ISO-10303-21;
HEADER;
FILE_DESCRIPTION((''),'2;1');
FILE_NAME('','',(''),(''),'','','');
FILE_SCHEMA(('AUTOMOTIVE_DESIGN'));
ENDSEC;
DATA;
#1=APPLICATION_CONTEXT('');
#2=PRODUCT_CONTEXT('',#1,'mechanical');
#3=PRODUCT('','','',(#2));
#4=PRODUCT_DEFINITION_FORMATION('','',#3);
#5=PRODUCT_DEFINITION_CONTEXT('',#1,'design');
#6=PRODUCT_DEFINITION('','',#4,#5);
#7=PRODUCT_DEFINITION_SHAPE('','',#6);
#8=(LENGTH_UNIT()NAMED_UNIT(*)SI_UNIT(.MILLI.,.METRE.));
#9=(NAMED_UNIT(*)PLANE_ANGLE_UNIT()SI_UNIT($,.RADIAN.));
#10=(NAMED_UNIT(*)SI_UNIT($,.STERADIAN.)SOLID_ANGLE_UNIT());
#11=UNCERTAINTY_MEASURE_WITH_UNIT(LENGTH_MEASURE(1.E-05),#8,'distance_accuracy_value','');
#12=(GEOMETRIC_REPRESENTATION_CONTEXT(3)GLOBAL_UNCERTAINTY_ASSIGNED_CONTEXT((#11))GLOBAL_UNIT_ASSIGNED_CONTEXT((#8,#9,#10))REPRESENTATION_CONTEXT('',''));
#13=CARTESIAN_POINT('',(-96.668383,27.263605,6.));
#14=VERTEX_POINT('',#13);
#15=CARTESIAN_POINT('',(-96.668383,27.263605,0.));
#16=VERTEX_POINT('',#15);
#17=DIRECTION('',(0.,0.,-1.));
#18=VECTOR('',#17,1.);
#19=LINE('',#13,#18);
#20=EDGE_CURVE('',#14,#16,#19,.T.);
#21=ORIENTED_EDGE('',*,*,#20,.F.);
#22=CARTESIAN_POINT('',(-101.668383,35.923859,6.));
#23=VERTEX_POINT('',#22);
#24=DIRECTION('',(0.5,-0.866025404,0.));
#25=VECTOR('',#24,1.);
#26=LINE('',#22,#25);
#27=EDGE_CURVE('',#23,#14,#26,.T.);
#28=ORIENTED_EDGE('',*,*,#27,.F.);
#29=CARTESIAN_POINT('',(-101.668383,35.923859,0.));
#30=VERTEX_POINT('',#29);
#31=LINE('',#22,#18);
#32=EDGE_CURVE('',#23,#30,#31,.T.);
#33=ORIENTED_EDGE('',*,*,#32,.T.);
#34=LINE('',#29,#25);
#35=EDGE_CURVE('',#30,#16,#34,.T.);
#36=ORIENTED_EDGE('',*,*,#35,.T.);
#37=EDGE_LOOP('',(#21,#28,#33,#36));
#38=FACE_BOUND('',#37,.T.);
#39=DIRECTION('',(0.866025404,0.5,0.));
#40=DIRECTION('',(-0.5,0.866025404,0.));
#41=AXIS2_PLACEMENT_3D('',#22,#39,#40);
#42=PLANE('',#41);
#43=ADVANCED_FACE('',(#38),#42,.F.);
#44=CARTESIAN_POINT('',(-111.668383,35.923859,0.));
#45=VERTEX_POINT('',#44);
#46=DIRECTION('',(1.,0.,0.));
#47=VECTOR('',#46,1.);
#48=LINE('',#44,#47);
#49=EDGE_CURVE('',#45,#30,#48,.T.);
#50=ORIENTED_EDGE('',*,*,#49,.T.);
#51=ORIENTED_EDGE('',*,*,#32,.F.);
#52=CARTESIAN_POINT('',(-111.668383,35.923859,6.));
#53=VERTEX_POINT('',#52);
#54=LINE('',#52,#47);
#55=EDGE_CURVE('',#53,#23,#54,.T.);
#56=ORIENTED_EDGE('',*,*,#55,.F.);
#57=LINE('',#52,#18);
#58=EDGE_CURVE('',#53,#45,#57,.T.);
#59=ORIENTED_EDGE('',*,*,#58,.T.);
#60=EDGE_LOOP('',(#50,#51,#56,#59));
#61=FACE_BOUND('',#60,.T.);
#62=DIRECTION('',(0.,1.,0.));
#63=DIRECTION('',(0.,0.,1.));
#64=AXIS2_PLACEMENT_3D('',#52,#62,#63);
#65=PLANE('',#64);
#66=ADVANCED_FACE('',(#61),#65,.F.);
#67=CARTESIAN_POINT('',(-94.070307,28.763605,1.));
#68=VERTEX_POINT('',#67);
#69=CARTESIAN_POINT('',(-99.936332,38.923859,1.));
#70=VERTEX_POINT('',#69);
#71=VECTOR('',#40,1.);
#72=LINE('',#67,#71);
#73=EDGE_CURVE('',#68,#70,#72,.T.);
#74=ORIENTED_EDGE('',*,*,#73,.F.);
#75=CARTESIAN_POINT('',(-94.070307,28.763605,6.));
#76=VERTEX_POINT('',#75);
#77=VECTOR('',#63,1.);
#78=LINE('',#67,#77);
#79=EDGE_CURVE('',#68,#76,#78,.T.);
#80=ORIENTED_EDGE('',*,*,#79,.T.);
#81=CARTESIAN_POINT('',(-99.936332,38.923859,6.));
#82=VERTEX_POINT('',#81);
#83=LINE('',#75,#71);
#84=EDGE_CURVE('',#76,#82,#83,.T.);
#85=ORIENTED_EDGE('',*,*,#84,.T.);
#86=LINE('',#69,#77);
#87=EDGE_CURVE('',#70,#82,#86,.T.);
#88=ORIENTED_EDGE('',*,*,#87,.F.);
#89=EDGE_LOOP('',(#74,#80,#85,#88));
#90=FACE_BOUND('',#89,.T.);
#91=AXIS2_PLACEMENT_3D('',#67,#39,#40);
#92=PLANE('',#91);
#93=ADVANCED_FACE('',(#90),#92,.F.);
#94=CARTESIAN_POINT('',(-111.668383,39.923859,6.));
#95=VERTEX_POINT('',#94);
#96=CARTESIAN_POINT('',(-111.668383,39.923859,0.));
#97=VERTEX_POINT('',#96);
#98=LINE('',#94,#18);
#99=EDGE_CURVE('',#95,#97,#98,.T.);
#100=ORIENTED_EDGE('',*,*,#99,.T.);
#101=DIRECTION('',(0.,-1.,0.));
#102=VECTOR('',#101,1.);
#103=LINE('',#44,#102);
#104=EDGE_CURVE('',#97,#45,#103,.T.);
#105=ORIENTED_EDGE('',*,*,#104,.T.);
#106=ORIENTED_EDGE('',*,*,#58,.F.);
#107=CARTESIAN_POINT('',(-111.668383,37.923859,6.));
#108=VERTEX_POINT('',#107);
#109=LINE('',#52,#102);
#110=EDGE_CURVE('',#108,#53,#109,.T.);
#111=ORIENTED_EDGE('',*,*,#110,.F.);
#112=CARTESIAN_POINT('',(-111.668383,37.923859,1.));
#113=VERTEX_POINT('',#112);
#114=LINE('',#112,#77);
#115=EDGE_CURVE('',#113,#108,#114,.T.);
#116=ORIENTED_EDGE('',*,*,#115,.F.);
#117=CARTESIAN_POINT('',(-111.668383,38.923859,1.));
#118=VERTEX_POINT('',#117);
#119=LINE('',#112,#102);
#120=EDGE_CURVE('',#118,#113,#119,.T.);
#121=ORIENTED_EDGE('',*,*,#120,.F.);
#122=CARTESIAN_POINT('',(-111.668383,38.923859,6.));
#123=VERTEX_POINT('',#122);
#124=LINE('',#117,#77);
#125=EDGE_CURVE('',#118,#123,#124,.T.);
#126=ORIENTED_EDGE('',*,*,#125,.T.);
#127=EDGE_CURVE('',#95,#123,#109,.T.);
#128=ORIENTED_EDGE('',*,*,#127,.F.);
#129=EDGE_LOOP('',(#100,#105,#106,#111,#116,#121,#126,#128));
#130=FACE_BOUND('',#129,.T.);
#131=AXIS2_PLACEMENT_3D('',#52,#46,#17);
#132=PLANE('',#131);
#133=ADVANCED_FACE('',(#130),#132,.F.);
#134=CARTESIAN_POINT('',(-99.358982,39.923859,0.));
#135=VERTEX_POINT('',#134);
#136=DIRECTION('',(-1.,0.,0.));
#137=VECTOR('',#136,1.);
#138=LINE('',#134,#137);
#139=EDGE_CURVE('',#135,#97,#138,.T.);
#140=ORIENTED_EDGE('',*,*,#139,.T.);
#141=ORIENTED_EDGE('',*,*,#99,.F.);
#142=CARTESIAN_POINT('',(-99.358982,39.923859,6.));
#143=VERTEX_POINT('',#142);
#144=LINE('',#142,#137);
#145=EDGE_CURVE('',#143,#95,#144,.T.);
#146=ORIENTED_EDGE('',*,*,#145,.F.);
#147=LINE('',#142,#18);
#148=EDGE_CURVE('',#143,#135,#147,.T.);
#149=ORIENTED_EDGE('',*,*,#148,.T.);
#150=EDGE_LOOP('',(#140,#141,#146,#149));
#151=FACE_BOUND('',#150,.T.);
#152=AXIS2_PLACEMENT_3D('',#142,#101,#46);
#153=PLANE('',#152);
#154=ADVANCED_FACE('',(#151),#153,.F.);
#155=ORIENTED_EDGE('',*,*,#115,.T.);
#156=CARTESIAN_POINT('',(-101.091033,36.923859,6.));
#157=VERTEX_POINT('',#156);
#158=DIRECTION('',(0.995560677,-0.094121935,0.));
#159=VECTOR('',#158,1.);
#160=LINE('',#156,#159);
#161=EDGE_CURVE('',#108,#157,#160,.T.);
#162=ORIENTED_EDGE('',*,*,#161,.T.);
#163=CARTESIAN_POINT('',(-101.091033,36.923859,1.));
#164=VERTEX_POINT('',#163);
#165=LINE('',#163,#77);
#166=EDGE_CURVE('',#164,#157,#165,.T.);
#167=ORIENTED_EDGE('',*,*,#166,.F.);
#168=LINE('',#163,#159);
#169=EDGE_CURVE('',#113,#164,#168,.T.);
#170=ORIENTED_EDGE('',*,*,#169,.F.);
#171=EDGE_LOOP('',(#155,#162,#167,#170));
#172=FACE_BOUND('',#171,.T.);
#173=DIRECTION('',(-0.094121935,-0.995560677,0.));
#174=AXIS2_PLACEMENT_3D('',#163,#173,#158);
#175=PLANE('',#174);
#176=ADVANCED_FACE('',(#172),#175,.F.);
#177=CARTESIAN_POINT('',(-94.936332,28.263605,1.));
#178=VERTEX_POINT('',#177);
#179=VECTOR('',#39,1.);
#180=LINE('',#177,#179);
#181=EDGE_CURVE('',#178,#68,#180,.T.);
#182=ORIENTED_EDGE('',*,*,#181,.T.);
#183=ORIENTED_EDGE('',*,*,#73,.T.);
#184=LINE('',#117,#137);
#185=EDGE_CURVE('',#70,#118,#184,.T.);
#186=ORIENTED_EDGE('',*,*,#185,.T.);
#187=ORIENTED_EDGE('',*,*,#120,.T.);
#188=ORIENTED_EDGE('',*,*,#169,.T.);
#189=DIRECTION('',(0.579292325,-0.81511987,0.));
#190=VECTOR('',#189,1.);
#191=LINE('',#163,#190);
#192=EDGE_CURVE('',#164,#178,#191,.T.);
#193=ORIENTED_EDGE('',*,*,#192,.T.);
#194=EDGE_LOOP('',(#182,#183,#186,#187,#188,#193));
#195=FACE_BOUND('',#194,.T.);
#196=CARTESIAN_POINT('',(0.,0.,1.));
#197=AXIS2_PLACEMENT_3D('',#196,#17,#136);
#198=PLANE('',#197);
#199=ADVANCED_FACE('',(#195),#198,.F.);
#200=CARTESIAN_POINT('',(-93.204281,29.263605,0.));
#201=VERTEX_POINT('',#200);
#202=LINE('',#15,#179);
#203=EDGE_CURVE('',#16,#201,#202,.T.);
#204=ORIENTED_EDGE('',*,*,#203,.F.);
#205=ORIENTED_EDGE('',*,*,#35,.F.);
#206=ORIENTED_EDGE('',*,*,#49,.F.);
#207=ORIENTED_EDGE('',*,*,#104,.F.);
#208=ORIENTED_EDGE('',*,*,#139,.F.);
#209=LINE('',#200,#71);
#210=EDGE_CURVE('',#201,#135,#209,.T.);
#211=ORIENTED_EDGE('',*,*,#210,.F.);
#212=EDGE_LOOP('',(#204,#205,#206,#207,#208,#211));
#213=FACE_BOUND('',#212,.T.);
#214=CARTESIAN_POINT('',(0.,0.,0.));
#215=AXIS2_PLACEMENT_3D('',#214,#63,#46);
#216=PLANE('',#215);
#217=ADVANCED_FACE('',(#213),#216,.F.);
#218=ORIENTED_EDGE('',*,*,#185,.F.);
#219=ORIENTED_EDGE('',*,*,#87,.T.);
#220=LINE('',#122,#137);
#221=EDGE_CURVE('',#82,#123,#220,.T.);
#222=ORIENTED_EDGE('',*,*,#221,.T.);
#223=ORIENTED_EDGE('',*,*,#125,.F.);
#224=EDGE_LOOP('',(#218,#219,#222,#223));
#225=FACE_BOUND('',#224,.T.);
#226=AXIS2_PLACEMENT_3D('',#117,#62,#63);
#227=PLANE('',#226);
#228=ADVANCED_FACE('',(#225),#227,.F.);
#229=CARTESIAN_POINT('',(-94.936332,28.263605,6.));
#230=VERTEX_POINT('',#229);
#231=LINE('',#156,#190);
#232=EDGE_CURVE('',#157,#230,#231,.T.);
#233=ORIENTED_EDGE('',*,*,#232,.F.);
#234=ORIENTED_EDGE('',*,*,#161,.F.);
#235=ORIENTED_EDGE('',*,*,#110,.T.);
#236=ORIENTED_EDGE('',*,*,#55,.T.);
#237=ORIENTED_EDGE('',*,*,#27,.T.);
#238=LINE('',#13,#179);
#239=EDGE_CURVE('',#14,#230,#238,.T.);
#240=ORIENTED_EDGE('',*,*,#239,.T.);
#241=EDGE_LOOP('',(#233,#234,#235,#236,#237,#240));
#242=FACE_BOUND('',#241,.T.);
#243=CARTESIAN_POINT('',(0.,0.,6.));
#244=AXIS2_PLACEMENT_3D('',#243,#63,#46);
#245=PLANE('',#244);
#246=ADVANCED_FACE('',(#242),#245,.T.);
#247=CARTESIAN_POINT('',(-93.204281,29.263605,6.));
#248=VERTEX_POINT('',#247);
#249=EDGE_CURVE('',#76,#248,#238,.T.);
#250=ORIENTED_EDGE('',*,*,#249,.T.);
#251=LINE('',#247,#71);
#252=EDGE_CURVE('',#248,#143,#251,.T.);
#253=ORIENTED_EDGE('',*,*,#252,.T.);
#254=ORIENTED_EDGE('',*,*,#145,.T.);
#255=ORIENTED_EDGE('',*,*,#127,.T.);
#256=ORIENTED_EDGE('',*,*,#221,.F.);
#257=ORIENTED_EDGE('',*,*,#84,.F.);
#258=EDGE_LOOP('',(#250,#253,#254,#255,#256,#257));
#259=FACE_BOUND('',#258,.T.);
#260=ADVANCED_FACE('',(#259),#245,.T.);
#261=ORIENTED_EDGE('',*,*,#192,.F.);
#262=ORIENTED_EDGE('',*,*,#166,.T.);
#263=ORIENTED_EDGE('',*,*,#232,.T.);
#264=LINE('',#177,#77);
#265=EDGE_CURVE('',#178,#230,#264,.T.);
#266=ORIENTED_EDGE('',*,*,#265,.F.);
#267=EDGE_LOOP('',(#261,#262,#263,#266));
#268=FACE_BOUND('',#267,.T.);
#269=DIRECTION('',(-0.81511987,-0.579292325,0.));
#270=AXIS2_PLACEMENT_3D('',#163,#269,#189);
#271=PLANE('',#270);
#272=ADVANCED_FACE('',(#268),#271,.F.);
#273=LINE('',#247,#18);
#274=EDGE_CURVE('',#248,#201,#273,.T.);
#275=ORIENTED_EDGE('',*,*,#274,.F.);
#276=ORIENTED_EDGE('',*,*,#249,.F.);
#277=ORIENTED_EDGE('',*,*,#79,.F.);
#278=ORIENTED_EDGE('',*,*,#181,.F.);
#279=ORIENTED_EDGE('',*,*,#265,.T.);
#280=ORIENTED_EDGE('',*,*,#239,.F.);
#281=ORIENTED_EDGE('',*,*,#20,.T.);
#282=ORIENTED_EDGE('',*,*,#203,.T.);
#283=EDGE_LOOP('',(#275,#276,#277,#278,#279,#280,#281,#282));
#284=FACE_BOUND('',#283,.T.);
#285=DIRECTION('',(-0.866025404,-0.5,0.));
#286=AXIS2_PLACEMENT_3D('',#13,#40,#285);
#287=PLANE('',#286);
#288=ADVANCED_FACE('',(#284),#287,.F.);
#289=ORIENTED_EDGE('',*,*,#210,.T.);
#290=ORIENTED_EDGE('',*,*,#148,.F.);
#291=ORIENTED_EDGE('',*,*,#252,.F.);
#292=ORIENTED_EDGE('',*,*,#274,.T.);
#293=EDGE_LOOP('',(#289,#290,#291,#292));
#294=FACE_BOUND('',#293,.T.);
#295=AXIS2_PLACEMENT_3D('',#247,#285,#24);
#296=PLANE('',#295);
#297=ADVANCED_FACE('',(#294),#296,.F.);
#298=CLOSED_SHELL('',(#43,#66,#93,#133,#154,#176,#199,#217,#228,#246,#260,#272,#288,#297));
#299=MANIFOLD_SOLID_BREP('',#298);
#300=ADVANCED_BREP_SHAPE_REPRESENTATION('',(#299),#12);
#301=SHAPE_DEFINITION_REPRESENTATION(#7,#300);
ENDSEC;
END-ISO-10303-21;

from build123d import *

# Parameters (mm, degrees)
SALIENTE_EXTRUIR1_DEPTH = 6
CORTAR_EXTRUIR1_DEPTH   = 5


with BuildPart() as part:
    # Croquis1 → Saliente-Extruir1 (new body)
    with BuildSketch(Plane.XY):
        Polygon((-111.668383112, 35.923858733), (-101.668383112, 35.923858733), (-96.668383112, 27.263604695), (-93.204281497, 29.263604695), (-99.358982036, 39.923858733), (-111.668383112, 39.923858733), align=None)
    extrude(amount=SALIENTE_EXTRUIR1_DEPTH)

    # Croquis2 → Cortar-Extruir1 (cut)
    with BuildSketch(Plane.XY.offset(6)):
        Polygon((-111.668383112, 37.923858733), (-111.668383112, 38.923858733), (-99.936332305, 38.923858733), (-94.070306901, 28.763604695), (-94.936332305, 28.263604695), (-101.091032843, 36.923858733), align=None)
    extrude(amount=-CORTAR_EXTRUIR1_DEPTH, mode=Mode.SUBTRACT)


solid = part.part
